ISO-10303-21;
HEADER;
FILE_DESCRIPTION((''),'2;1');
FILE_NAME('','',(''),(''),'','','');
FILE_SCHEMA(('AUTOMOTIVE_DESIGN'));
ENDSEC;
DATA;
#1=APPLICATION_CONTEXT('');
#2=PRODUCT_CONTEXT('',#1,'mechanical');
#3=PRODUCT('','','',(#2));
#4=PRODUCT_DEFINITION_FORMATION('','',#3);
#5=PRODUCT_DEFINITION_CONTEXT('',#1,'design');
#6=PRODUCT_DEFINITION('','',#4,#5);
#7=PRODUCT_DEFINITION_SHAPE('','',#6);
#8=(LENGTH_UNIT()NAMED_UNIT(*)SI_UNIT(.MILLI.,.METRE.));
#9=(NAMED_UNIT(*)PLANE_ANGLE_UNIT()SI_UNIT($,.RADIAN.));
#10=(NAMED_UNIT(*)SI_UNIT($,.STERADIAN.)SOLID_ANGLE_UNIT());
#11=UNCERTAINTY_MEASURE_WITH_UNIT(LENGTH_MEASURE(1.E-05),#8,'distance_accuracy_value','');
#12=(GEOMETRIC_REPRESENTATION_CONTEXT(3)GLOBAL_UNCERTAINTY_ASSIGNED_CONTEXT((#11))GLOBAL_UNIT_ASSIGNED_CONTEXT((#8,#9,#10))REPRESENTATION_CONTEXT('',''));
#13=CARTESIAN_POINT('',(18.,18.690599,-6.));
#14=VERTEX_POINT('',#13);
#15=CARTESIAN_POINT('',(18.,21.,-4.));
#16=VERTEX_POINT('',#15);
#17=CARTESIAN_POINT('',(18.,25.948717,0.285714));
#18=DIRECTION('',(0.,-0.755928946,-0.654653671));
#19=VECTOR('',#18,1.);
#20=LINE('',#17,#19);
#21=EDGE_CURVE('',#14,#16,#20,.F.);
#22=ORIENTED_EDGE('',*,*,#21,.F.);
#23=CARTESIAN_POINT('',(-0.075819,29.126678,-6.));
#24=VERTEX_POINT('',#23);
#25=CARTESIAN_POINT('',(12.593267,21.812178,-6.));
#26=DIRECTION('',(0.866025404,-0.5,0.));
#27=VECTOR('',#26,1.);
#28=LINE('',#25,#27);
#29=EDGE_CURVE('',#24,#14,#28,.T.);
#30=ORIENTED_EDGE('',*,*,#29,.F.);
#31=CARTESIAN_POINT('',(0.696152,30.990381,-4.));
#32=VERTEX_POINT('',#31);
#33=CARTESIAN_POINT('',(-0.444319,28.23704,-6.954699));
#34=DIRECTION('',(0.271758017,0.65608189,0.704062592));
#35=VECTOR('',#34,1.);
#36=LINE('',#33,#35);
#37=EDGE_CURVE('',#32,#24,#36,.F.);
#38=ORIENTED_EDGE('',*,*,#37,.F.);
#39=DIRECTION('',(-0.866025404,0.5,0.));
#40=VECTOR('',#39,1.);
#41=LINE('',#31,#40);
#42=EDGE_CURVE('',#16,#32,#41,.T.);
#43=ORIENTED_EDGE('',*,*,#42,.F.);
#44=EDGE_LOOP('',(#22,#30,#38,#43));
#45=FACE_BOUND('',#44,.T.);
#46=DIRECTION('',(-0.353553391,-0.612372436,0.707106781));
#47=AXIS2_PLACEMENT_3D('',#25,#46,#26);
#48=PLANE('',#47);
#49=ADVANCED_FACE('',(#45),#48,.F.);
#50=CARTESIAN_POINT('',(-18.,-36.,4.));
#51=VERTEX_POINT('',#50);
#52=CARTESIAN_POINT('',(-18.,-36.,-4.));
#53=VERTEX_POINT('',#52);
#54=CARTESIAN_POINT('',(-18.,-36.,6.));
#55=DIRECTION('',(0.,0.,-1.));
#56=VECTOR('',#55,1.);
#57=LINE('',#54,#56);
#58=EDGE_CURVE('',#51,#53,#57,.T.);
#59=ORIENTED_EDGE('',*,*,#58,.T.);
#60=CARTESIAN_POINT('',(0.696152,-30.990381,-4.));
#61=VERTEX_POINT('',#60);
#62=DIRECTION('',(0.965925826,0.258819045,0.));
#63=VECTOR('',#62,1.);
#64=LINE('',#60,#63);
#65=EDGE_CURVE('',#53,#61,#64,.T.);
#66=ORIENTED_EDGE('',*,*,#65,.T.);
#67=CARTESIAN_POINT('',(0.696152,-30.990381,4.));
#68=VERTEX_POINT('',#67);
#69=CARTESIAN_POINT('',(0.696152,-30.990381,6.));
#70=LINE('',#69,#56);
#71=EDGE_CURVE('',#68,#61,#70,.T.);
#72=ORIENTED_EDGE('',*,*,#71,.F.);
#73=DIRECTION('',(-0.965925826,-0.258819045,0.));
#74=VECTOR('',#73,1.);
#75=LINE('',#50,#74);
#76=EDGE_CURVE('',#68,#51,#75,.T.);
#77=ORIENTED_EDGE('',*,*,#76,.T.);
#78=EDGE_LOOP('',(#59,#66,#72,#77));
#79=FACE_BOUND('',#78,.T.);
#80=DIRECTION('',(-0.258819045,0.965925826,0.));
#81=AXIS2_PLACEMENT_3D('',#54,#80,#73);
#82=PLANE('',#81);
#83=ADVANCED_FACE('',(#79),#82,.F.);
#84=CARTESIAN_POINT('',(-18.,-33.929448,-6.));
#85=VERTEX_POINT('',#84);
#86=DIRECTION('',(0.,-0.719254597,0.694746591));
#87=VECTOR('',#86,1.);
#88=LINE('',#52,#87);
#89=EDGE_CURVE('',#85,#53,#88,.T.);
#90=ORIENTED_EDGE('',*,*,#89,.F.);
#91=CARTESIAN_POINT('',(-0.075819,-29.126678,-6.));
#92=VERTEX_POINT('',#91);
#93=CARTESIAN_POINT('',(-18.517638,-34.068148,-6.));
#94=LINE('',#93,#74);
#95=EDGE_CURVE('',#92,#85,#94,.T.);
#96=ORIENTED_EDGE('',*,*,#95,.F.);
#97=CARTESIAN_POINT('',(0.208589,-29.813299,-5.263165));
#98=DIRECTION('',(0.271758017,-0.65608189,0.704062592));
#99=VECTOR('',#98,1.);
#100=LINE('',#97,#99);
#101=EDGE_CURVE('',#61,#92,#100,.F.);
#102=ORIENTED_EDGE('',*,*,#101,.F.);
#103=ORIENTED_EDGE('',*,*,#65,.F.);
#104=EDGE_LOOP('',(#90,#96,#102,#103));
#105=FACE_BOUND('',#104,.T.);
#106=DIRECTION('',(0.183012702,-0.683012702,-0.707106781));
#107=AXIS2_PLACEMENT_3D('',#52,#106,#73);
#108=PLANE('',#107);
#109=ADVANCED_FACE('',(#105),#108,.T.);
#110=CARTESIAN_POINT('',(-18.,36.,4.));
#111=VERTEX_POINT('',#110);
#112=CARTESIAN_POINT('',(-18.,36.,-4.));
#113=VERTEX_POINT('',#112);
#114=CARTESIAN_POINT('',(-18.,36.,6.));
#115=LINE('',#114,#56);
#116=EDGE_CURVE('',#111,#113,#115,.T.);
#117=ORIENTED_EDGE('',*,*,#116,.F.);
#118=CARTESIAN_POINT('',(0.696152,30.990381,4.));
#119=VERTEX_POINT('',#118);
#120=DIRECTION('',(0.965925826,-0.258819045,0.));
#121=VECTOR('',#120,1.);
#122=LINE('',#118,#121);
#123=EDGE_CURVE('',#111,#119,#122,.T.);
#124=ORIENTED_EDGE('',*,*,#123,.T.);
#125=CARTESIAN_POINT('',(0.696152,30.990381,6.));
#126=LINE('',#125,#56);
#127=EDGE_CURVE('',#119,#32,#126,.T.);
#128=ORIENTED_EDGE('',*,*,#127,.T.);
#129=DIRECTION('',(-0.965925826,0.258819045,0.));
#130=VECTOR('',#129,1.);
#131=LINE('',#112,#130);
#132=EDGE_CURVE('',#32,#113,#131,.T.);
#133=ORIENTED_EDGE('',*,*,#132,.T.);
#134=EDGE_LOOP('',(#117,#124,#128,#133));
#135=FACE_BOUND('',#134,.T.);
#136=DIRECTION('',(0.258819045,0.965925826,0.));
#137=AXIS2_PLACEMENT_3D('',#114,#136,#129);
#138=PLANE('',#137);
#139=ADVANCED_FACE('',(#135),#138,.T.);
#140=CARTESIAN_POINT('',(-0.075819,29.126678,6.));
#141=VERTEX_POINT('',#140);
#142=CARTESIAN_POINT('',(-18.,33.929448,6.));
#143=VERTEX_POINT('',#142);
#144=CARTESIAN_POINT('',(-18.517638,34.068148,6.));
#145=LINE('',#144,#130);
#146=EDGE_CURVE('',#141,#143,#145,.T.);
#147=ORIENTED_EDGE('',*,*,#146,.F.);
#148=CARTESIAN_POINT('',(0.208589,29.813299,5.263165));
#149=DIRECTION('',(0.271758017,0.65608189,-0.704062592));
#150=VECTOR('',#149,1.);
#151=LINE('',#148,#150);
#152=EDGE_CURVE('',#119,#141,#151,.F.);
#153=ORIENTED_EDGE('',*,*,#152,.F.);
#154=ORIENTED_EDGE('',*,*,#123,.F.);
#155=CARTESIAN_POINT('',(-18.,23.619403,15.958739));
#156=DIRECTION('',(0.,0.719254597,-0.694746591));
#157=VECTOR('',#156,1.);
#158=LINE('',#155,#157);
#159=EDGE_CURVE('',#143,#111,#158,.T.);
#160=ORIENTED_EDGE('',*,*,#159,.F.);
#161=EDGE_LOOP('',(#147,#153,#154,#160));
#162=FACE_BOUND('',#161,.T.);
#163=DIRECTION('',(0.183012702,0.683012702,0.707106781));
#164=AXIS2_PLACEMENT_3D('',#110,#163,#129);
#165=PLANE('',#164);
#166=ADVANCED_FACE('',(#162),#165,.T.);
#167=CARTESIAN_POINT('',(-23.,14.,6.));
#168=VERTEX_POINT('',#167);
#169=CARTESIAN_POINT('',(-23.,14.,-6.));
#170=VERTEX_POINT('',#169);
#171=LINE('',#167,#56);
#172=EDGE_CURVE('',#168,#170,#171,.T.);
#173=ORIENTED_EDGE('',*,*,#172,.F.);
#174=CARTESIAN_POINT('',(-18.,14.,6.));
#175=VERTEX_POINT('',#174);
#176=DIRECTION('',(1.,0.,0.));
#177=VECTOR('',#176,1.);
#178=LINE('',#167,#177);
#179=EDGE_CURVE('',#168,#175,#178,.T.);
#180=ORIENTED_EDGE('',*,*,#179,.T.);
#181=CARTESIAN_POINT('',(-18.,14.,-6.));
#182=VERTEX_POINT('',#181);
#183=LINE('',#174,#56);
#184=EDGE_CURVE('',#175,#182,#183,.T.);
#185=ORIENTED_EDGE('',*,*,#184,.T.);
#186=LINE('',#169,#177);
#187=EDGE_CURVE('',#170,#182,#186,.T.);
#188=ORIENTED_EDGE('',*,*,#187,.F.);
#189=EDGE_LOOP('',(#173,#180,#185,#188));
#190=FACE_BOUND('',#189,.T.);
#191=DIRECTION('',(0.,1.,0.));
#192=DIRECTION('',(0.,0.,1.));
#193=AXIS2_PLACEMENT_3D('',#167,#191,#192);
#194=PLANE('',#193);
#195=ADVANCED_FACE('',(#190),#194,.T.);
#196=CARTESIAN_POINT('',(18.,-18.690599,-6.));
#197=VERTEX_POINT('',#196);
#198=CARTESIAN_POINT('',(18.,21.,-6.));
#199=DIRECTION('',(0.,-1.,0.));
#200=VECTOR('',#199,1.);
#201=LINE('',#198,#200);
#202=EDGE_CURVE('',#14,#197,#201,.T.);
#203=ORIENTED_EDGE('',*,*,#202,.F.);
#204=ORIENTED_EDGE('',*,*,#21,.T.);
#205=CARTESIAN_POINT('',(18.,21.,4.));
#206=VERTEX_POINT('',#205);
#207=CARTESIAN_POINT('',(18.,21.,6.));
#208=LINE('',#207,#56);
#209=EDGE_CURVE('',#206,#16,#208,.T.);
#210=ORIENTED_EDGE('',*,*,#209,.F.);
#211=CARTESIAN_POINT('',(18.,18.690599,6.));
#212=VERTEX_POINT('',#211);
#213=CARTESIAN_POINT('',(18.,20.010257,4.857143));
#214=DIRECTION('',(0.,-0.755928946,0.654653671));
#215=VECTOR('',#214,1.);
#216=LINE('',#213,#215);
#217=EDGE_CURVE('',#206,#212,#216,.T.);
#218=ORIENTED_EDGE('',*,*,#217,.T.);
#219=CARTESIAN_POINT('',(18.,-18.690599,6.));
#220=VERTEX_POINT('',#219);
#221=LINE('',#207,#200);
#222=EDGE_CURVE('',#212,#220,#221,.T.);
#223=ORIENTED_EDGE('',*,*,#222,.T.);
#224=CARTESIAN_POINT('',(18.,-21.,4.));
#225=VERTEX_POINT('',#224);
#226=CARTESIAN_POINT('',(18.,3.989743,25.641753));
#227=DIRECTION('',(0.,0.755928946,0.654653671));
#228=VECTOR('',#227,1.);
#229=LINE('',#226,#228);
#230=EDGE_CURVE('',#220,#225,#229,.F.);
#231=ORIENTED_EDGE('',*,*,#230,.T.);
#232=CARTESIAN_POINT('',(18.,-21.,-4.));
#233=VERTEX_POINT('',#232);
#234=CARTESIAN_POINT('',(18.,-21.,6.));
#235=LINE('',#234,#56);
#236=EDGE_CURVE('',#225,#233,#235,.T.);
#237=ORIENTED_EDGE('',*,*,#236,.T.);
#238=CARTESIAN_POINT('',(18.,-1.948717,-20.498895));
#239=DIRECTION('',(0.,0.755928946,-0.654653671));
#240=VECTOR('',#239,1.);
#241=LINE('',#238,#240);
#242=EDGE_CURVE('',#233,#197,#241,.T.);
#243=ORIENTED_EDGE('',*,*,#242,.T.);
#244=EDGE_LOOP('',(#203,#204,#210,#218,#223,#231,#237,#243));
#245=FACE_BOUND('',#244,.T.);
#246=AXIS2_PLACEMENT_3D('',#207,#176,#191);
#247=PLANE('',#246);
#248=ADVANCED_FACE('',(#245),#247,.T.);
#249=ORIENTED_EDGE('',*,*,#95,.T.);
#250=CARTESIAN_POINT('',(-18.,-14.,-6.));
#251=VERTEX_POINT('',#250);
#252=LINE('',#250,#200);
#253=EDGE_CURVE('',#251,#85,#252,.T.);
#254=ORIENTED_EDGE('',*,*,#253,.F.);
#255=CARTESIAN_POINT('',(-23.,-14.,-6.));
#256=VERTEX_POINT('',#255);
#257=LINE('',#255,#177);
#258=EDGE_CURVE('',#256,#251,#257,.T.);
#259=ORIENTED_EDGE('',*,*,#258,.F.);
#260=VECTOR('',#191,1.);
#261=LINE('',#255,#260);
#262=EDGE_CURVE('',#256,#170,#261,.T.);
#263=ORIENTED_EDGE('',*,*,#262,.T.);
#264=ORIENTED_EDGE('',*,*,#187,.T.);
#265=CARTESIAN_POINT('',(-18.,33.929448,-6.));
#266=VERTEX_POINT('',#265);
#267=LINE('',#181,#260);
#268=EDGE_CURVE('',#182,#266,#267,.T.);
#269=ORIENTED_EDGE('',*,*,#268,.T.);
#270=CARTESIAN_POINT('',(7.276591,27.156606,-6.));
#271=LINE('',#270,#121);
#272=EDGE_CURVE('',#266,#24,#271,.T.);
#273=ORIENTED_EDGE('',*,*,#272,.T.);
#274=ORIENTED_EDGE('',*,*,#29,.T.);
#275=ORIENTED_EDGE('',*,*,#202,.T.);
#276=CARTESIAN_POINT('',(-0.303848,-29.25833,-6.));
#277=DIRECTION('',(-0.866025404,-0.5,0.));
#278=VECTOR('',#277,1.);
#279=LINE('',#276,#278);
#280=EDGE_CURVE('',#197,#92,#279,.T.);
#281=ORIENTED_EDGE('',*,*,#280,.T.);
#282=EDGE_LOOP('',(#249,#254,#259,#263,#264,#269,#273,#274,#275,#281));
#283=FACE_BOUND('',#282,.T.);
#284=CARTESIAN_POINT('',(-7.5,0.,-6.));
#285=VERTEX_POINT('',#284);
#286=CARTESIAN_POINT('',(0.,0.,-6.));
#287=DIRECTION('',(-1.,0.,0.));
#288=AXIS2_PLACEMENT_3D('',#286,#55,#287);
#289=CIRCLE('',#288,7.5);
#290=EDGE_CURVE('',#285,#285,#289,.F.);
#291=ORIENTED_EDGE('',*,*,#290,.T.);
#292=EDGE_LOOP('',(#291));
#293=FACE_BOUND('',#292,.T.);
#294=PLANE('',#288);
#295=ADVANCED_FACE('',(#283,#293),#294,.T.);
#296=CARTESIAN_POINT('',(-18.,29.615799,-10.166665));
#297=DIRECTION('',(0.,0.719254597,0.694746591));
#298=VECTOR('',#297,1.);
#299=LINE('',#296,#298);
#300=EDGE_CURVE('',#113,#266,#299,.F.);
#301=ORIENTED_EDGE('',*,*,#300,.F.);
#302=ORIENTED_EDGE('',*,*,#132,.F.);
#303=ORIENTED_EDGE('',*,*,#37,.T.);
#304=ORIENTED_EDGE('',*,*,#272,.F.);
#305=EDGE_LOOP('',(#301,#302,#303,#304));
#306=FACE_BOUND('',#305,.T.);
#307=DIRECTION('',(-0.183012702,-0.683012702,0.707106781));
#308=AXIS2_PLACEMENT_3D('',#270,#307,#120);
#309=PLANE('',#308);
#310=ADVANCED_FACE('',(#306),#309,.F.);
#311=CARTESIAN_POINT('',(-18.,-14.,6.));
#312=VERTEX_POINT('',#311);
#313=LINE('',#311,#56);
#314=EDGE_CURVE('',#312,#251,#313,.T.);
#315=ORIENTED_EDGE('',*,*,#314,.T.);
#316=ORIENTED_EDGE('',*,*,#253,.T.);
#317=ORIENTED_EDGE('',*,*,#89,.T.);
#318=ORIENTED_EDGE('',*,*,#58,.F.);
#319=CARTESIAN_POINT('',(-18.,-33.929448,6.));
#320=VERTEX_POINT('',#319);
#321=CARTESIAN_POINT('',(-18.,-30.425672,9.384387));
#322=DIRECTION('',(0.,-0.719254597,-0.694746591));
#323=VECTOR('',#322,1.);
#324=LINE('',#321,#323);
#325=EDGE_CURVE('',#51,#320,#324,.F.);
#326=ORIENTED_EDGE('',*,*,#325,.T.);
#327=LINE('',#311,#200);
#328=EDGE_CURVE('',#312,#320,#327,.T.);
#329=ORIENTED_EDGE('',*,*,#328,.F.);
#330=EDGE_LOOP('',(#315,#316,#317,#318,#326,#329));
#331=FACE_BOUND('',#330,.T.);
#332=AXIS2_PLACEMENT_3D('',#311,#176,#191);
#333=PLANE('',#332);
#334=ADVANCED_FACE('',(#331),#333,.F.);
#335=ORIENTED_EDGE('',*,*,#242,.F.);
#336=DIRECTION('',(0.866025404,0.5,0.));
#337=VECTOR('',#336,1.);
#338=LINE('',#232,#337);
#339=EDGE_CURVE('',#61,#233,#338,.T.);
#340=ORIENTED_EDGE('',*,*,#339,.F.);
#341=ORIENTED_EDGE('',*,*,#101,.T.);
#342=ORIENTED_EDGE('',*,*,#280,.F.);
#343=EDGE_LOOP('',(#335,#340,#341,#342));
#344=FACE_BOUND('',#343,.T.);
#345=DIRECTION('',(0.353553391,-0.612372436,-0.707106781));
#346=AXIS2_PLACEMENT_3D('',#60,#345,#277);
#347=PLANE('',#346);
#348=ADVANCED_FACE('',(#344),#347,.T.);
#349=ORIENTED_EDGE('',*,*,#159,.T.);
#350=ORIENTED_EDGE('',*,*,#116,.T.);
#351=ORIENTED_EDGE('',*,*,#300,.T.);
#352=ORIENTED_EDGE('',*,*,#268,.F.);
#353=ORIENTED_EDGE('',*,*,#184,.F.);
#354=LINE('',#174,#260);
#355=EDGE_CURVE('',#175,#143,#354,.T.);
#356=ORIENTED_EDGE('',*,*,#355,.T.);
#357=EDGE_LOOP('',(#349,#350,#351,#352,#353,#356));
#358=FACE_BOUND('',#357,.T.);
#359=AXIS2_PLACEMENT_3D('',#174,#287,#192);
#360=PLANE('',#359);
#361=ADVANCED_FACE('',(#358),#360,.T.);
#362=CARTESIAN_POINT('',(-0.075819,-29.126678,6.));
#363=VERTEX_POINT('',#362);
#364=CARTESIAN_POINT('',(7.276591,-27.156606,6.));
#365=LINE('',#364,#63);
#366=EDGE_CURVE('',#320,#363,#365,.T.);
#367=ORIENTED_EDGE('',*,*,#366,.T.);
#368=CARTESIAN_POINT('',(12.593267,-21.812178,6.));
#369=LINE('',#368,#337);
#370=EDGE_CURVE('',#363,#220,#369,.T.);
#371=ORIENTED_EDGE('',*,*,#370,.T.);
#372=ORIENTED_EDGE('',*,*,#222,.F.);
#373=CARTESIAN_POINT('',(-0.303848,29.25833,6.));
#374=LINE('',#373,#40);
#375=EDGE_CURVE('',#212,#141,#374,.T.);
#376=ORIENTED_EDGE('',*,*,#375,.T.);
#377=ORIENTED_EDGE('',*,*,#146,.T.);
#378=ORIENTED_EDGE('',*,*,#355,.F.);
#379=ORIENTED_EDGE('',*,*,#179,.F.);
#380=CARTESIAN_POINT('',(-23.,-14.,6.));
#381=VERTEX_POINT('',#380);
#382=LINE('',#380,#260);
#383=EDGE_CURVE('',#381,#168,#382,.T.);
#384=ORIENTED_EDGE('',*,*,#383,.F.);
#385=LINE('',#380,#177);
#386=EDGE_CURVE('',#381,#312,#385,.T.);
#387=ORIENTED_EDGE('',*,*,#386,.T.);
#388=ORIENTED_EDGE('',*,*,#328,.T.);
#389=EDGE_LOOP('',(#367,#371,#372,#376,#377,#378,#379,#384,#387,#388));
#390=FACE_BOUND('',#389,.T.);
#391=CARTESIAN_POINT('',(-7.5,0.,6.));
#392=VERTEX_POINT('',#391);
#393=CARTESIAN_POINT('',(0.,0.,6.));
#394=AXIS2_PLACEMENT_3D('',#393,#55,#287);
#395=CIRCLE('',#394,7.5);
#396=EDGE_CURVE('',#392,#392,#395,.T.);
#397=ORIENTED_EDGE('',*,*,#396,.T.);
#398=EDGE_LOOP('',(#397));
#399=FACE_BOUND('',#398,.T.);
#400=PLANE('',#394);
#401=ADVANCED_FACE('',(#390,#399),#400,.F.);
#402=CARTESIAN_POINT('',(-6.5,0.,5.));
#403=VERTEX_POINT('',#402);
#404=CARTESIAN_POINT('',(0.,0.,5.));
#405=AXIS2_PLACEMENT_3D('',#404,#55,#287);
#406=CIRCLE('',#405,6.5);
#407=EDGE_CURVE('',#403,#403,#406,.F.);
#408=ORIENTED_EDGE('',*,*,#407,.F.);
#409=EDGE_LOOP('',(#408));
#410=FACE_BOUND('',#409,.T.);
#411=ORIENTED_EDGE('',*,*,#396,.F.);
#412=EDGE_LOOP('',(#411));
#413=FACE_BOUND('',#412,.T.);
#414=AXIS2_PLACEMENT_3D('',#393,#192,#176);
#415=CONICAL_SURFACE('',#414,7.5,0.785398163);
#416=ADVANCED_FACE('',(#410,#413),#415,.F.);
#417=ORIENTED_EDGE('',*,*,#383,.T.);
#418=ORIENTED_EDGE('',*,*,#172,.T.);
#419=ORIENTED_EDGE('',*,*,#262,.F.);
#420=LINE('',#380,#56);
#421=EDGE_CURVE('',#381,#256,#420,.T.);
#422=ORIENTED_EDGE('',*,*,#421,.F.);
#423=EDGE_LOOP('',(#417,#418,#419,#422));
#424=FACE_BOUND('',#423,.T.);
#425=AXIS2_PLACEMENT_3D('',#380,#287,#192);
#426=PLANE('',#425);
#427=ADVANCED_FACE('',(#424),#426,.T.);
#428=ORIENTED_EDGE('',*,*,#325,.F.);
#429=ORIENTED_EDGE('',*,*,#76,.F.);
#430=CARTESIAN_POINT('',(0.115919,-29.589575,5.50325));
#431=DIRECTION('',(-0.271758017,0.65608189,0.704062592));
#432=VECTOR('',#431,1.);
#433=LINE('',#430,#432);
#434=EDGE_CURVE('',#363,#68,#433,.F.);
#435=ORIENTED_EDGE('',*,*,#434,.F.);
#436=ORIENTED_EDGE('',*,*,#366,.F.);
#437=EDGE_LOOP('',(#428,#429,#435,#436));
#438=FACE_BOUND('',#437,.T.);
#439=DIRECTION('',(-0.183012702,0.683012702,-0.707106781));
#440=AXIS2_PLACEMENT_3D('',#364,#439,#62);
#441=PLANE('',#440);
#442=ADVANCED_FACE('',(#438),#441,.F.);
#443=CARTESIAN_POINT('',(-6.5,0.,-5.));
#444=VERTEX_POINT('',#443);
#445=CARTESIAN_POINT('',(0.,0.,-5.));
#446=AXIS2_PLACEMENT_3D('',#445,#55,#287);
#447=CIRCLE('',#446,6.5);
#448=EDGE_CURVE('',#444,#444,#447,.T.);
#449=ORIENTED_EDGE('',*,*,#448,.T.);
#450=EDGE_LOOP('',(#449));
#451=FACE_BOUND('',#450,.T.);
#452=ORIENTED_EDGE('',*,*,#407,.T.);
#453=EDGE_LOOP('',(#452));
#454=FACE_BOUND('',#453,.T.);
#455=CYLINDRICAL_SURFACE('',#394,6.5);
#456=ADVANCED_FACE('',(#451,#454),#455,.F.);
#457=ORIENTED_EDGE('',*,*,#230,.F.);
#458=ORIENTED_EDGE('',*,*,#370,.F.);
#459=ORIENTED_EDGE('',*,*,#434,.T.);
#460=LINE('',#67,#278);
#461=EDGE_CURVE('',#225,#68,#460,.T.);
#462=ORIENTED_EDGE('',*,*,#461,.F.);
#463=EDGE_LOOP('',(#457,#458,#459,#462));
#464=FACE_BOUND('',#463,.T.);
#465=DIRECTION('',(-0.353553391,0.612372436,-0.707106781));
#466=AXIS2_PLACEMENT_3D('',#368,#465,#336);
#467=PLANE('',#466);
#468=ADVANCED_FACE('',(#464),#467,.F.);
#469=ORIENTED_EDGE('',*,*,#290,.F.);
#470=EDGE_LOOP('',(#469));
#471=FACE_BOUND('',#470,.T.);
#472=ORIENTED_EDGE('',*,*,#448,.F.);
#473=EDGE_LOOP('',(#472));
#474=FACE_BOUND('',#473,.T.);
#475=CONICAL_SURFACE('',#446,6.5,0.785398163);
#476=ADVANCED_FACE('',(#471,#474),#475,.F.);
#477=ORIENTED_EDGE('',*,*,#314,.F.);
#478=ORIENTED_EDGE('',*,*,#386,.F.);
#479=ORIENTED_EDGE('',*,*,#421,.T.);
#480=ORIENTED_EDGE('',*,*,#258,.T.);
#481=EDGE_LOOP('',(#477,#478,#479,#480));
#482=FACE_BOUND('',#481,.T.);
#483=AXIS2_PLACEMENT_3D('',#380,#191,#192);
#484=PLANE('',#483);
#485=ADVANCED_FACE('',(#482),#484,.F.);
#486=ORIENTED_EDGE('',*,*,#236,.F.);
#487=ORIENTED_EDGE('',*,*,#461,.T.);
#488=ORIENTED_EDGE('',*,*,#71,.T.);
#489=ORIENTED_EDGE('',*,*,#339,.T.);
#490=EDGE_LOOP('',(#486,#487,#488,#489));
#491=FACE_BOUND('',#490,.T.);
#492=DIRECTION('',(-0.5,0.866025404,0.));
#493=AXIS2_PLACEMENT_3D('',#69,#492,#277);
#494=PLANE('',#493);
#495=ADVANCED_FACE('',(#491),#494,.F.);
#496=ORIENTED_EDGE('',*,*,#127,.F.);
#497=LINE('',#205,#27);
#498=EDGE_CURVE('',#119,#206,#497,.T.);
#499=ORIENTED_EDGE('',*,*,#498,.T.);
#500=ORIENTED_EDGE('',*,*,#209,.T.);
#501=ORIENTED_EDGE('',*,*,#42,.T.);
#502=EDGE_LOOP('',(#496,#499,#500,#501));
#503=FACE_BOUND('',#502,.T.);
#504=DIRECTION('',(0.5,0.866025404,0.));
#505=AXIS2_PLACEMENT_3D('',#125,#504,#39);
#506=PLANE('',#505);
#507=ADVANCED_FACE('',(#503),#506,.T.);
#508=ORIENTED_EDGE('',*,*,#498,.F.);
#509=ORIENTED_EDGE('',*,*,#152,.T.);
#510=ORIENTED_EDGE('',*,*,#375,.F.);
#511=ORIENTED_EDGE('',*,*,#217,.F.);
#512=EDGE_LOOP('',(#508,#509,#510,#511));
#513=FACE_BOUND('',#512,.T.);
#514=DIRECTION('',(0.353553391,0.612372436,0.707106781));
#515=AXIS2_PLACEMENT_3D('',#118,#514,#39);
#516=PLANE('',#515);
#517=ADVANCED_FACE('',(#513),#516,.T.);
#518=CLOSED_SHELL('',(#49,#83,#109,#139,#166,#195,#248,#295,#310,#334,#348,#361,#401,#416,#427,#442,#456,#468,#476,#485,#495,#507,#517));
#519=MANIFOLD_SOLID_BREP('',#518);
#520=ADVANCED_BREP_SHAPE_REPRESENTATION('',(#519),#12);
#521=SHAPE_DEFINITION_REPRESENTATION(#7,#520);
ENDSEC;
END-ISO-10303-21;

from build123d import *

# Parameters (mm, degrees)
SKETCH_1_R      = 6.5
EXTRUDE_1_DEPTH = 6
CHAMFER_1_SIZE  = 2
CHAMFER_2_SIZE  = 1


with BuildPart() as part:
    # 草图1 → 凸台-拉伸1 (new, symmetric)
    with BuildSketch(Plane.XY):
        Polygon((-23, -14), (-23, 14), (-18, 14), (-18, 36), (0.696152423, 30.990381057), (18, 21), (18, -21), (0.696152423, -30.990381057), (-18, -36), (-18, -14), align=None)
        with Locations(Location((0, 0, 0), (0, 0, 180))):
            Circle(SKETCH_1_R, mode=Mode.SUBTRACT)
    extrude(amount=EXTRUDE_1_DEPTH, both=True)

    # 倒角1
    chamfer_1_edges = [part.edges().sort_by_distance(p)[0] for p in [
        (-8.651923789, -33.495190528, -6),
        (9.348076211, -25.995190528, -6),
        (9.348076211, 25.995190528, 6),
        (9.348076211, 25.995190528, -6),
        (-8.651923789, 33.495190528, -6),
        (9.348076211, -25.995190528, 6),
        (-8.651923789, -33.495190528, 6),
        (-8.651923789, 33.495190528, 6),
    ]]
    chamfer(chamfer_1_edges, length=CHAMFER_1_SIZE)

    # 倒角2
    chamfer_2_edges = [part.edges().sort_by_distance(p)[0] for p in [
        (6.5, 0, 6),
        (6.5, 0, -6),
    ]]
    chamfer(chamfer_2_edges, length=CHAMFER_2_SIZE)


solid = part.part
